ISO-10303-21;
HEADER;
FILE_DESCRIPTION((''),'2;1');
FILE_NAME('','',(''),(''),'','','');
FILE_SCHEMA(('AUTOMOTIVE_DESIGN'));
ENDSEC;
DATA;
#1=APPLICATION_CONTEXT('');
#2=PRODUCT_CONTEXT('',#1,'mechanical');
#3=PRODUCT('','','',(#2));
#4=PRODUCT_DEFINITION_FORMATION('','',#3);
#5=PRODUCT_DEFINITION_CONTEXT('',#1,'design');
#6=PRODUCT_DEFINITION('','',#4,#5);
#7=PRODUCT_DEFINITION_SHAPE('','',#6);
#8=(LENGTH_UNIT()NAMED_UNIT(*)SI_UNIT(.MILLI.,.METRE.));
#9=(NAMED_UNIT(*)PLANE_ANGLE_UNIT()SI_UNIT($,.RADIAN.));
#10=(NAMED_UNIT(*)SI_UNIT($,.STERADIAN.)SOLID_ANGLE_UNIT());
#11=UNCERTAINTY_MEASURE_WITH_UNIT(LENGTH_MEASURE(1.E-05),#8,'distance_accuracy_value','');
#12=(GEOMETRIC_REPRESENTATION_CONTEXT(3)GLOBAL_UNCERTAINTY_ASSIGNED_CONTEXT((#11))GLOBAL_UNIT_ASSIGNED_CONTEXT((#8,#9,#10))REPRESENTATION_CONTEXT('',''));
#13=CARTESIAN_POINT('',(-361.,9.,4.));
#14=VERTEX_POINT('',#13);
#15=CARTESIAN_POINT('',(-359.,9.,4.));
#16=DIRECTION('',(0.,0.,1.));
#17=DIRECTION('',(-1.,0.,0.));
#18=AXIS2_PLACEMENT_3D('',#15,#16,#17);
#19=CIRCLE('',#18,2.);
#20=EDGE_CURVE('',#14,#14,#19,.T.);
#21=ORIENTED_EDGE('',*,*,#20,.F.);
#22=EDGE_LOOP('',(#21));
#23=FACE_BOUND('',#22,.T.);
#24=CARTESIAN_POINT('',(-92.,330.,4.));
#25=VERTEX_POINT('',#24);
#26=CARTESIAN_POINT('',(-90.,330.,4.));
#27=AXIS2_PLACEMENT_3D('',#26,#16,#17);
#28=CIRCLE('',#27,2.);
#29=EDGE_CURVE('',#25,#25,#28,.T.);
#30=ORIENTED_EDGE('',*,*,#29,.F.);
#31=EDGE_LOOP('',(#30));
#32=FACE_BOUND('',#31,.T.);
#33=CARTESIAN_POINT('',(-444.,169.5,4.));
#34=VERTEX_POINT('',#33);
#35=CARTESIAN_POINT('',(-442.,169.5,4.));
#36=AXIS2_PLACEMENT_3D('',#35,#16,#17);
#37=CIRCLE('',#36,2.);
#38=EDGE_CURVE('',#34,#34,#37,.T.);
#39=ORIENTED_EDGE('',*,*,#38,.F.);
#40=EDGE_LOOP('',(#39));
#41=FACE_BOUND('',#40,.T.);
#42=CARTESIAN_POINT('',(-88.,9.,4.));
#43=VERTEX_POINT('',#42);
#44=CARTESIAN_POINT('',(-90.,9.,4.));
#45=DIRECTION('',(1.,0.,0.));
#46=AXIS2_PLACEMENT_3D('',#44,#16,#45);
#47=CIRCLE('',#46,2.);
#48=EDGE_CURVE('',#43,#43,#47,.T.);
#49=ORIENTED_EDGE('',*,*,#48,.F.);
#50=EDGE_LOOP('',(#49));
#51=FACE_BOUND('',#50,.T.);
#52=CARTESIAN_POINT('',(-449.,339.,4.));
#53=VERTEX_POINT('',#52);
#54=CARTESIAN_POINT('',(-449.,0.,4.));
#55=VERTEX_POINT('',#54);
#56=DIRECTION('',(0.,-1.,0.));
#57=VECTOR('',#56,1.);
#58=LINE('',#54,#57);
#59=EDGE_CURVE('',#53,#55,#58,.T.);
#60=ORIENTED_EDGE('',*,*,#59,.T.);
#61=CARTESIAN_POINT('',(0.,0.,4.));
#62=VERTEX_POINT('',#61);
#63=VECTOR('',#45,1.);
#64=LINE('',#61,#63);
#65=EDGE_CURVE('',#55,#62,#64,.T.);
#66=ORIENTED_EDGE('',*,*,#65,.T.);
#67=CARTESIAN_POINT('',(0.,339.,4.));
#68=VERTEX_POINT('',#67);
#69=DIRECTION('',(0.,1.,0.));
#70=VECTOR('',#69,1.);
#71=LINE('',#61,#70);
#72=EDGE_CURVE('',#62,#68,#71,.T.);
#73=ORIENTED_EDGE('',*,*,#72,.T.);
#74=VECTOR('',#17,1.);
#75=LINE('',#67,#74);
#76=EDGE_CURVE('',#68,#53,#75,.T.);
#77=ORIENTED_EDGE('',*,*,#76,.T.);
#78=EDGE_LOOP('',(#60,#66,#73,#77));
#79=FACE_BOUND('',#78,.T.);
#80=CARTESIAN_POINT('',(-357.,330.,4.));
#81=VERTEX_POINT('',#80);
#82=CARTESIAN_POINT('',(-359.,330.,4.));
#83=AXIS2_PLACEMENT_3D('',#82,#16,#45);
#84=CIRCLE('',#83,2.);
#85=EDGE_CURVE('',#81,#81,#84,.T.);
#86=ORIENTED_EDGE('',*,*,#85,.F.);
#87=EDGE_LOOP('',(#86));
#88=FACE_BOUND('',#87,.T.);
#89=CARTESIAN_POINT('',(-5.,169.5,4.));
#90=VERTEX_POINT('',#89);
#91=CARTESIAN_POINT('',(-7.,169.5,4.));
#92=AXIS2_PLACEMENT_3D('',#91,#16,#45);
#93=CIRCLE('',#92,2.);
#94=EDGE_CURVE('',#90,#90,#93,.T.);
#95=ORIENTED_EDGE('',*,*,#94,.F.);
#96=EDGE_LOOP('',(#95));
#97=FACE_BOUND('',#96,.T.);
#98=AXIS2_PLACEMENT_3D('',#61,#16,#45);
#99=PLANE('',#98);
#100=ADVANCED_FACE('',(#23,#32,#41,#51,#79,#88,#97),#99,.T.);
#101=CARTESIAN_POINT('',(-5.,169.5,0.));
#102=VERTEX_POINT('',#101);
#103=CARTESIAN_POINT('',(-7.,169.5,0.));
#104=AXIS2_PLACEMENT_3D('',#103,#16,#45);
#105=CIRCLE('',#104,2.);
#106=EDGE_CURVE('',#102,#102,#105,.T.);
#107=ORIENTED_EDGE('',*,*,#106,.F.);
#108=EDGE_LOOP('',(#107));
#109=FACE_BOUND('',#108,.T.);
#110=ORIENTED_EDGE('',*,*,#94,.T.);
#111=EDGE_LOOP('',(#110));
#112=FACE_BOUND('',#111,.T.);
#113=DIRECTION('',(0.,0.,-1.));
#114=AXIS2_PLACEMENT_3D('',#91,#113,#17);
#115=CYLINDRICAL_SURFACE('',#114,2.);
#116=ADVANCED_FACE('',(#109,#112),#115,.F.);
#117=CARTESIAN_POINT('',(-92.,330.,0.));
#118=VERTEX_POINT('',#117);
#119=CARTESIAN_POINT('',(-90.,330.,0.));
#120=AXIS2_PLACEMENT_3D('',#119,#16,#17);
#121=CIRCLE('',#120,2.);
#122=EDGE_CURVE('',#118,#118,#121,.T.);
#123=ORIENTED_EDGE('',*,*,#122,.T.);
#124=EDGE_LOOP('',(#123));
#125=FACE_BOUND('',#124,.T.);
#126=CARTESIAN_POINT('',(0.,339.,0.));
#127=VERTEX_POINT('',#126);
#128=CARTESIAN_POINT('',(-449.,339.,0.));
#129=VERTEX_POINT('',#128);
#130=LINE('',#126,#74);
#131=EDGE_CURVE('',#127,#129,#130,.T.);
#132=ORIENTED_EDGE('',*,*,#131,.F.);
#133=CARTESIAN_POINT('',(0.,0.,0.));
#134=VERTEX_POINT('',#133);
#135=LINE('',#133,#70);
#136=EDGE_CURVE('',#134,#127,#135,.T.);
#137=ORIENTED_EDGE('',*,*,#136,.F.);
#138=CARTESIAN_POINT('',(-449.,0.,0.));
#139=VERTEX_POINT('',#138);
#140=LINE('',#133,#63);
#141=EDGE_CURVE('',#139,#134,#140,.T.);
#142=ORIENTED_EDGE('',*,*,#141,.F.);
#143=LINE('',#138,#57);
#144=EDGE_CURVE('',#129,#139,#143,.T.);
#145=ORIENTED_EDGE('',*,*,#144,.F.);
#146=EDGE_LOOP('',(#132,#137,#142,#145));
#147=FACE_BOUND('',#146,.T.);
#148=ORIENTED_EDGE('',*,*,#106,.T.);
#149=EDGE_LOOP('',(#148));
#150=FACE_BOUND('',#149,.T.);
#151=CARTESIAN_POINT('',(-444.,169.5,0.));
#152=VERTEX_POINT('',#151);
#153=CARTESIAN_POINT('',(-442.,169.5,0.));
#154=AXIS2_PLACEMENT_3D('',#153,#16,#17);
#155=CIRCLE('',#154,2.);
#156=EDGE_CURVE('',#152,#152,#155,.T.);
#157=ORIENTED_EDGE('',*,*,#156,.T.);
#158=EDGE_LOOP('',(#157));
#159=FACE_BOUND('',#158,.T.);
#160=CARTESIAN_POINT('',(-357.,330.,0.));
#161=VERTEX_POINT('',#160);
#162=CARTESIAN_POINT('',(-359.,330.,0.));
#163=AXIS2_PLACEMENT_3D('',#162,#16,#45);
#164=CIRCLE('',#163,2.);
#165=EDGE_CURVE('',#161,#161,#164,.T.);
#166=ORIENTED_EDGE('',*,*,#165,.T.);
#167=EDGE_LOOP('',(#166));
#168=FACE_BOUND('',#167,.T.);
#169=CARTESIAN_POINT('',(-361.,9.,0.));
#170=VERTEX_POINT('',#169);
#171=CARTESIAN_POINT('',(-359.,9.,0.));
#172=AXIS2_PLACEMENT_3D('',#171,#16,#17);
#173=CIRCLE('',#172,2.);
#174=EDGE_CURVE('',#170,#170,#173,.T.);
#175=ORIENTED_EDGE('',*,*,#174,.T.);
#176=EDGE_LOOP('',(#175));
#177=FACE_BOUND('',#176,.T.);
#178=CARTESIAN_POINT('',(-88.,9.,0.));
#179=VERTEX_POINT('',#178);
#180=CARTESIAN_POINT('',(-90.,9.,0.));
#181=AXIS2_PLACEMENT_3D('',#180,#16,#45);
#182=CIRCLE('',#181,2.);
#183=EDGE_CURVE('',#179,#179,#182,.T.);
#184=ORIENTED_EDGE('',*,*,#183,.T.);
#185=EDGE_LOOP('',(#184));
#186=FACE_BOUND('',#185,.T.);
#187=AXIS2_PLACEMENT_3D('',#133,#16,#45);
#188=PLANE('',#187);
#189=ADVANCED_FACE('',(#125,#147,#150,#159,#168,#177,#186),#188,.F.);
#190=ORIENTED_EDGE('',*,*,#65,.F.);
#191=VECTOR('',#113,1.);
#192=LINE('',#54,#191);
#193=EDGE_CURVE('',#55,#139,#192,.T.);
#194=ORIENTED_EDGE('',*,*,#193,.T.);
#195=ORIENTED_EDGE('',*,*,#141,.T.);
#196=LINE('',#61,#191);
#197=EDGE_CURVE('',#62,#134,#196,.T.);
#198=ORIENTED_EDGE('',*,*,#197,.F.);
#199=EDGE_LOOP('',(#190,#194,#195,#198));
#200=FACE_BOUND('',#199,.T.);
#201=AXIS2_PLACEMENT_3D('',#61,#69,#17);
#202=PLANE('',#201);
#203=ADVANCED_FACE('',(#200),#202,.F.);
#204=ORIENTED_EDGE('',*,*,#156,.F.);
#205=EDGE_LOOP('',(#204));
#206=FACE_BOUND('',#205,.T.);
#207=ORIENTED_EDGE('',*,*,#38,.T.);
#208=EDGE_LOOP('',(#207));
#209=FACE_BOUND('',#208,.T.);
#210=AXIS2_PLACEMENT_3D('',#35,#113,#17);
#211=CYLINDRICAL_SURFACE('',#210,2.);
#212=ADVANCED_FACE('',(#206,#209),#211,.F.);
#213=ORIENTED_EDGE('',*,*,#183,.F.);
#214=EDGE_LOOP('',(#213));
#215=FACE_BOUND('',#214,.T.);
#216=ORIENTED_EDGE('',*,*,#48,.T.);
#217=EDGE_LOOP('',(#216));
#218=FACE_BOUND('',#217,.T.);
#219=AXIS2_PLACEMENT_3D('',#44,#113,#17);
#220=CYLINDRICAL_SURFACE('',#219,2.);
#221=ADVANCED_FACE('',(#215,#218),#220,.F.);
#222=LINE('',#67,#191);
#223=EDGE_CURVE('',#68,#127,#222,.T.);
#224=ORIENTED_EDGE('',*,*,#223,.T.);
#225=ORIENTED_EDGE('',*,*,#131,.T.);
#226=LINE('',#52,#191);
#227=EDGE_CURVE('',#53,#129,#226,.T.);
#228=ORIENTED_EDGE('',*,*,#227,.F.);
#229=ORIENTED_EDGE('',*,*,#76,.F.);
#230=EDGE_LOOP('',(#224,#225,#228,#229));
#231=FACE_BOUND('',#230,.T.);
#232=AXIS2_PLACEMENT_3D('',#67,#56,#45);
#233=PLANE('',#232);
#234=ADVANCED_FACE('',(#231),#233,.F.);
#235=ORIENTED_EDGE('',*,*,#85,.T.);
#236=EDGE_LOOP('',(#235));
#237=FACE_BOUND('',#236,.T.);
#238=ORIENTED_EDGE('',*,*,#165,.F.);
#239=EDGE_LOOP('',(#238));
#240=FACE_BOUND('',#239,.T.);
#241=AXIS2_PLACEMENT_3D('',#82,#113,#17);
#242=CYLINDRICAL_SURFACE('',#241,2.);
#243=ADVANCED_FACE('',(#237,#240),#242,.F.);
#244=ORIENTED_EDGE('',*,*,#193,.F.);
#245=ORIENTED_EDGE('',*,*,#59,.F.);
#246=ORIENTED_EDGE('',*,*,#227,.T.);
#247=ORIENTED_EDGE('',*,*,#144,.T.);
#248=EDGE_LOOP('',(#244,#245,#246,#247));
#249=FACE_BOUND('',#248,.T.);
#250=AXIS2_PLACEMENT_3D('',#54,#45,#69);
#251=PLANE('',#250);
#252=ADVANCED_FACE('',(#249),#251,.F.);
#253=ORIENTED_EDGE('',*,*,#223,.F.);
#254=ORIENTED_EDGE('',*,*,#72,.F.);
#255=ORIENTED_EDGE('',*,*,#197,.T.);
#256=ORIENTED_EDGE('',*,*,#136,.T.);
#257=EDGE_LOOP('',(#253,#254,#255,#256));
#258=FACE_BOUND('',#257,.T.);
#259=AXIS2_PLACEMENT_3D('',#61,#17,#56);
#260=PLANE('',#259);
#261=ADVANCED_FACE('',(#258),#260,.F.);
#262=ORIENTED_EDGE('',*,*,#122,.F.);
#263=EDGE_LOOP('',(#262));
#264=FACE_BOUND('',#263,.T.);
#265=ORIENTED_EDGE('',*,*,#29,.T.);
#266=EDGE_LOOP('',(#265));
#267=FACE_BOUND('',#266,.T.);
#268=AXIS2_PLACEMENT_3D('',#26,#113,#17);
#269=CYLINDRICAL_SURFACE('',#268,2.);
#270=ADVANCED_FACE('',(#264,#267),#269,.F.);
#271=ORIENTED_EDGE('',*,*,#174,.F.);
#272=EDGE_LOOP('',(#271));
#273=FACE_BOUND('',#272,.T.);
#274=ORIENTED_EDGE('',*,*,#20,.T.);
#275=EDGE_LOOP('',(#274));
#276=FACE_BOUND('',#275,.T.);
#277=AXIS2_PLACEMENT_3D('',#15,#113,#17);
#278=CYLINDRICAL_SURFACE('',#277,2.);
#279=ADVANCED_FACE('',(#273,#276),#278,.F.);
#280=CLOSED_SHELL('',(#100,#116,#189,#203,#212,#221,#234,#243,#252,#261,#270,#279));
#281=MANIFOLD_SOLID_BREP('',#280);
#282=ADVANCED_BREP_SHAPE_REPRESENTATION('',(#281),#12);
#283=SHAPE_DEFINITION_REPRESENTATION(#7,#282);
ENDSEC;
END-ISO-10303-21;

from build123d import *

# Parameters (mm, degrees)
SCHIZZO1_W                   = 449
SCHIZZO1_H                   = 339
SCHIZZO1_R                   = 2
ESTRUSIONE_ESTRUSIONE1_DEPTH = 4


with BuildPart() as part:
    # Schizzo1 → Estrusione-Estrusione1 (new body)
    with BuildSketch(Plane.XY):
        with Locations((-224.5, 169.5)):
            Rectangle(SCHIZZO1_W, SCHIZZO1_H)
        with Locations(Location((-90, 330, 0), (0, 0, 180))):
            Circle(SCHIZZO1_R, mode=Mode.SUBTRACT)
        with Locations((-7, 169.5)):
            Circle(SCHIZZO1_R, mode=Mode.SUBTRACT)
        with Locations((-359, 330)):
            Circle(SCHIZZO1_R, mode=Mode.SUBTRACT)
        with Locations(Location((-442, 169.5, 0), (0, 0, 180))):
            Circle(SCHIZZO1_R, mode=Mode.SUBTRACT)
        with Locations(Location((-359, 9, 0), (0, 0, 180))):
            Circle(SCHIZZO1_R, mode=Mode.SUBTRACT)
        with Locations((-90, 9)):
            Circle(SCHIZZO1_R, mode=Mode.SUBTRACT)
    extrude(amount=ESTRUSIONE_ESTRUSIONE1_DEPTH)


solid = part.part
